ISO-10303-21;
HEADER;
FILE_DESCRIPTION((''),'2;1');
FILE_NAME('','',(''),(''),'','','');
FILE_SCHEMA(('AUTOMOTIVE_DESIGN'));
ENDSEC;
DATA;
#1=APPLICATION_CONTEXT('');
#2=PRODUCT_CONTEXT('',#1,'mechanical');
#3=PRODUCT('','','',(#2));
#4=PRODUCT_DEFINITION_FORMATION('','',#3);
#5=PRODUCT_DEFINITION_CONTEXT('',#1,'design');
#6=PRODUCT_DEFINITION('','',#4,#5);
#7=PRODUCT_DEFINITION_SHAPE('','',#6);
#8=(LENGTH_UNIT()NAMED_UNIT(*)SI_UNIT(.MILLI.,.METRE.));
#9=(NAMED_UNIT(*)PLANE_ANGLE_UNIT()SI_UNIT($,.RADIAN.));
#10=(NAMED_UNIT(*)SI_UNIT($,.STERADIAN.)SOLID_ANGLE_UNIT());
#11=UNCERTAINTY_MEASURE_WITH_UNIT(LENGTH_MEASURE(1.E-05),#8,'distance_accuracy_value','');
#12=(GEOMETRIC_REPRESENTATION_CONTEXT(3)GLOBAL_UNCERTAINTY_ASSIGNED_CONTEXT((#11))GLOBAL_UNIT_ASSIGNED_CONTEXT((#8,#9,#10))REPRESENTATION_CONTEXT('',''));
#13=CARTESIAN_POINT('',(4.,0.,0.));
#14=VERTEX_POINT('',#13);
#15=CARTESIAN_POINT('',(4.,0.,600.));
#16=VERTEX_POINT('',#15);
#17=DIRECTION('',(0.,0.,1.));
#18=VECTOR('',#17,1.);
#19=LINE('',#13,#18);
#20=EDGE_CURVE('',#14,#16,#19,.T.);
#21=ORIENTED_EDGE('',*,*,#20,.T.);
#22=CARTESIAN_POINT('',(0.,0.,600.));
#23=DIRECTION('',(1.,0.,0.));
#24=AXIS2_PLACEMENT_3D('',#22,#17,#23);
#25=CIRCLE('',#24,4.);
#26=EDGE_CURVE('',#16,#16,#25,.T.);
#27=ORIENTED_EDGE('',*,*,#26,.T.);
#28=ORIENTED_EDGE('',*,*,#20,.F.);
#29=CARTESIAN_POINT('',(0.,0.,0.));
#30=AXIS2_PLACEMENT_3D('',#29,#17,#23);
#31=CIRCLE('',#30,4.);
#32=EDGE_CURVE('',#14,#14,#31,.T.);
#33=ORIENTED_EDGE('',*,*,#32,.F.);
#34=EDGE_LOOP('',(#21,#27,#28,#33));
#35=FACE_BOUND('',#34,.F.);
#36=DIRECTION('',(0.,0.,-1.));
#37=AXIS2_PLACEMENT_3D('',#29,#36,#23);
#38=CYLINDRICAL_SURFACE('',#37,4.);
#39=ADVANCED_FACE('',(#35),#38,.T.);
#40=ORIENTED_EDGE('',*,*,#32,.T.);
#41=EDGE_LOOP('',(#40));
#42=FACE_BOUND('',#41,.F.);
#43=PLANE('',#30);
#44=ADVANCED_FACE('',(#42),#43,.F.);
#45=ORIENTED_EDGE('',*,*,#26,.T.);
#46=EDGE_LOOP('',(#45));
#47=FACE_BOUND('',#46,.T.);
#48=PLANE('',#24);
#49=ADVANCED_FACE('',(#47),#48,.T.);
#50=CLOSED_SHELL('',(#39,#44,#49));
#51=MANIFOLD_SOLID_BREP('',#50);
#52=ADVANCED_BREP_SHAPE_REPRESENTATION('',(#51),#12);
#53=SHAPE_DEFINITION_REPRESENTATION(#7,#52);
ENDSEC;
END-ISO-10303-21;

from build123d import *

# Parameters (mm, degrees)
SKETCH_1_R      = 4
EXTRUDE_1_DEPTH = 600


with BuildPart() as part:
    # 草图1 → 凸台-拉伸1 (new body)
    with BuildSketch(Plane.XY):
        Circle(SKETCH_1_R)
    extrude(amount=EXTRUDE_1_DEPTH)


solid = part.part
